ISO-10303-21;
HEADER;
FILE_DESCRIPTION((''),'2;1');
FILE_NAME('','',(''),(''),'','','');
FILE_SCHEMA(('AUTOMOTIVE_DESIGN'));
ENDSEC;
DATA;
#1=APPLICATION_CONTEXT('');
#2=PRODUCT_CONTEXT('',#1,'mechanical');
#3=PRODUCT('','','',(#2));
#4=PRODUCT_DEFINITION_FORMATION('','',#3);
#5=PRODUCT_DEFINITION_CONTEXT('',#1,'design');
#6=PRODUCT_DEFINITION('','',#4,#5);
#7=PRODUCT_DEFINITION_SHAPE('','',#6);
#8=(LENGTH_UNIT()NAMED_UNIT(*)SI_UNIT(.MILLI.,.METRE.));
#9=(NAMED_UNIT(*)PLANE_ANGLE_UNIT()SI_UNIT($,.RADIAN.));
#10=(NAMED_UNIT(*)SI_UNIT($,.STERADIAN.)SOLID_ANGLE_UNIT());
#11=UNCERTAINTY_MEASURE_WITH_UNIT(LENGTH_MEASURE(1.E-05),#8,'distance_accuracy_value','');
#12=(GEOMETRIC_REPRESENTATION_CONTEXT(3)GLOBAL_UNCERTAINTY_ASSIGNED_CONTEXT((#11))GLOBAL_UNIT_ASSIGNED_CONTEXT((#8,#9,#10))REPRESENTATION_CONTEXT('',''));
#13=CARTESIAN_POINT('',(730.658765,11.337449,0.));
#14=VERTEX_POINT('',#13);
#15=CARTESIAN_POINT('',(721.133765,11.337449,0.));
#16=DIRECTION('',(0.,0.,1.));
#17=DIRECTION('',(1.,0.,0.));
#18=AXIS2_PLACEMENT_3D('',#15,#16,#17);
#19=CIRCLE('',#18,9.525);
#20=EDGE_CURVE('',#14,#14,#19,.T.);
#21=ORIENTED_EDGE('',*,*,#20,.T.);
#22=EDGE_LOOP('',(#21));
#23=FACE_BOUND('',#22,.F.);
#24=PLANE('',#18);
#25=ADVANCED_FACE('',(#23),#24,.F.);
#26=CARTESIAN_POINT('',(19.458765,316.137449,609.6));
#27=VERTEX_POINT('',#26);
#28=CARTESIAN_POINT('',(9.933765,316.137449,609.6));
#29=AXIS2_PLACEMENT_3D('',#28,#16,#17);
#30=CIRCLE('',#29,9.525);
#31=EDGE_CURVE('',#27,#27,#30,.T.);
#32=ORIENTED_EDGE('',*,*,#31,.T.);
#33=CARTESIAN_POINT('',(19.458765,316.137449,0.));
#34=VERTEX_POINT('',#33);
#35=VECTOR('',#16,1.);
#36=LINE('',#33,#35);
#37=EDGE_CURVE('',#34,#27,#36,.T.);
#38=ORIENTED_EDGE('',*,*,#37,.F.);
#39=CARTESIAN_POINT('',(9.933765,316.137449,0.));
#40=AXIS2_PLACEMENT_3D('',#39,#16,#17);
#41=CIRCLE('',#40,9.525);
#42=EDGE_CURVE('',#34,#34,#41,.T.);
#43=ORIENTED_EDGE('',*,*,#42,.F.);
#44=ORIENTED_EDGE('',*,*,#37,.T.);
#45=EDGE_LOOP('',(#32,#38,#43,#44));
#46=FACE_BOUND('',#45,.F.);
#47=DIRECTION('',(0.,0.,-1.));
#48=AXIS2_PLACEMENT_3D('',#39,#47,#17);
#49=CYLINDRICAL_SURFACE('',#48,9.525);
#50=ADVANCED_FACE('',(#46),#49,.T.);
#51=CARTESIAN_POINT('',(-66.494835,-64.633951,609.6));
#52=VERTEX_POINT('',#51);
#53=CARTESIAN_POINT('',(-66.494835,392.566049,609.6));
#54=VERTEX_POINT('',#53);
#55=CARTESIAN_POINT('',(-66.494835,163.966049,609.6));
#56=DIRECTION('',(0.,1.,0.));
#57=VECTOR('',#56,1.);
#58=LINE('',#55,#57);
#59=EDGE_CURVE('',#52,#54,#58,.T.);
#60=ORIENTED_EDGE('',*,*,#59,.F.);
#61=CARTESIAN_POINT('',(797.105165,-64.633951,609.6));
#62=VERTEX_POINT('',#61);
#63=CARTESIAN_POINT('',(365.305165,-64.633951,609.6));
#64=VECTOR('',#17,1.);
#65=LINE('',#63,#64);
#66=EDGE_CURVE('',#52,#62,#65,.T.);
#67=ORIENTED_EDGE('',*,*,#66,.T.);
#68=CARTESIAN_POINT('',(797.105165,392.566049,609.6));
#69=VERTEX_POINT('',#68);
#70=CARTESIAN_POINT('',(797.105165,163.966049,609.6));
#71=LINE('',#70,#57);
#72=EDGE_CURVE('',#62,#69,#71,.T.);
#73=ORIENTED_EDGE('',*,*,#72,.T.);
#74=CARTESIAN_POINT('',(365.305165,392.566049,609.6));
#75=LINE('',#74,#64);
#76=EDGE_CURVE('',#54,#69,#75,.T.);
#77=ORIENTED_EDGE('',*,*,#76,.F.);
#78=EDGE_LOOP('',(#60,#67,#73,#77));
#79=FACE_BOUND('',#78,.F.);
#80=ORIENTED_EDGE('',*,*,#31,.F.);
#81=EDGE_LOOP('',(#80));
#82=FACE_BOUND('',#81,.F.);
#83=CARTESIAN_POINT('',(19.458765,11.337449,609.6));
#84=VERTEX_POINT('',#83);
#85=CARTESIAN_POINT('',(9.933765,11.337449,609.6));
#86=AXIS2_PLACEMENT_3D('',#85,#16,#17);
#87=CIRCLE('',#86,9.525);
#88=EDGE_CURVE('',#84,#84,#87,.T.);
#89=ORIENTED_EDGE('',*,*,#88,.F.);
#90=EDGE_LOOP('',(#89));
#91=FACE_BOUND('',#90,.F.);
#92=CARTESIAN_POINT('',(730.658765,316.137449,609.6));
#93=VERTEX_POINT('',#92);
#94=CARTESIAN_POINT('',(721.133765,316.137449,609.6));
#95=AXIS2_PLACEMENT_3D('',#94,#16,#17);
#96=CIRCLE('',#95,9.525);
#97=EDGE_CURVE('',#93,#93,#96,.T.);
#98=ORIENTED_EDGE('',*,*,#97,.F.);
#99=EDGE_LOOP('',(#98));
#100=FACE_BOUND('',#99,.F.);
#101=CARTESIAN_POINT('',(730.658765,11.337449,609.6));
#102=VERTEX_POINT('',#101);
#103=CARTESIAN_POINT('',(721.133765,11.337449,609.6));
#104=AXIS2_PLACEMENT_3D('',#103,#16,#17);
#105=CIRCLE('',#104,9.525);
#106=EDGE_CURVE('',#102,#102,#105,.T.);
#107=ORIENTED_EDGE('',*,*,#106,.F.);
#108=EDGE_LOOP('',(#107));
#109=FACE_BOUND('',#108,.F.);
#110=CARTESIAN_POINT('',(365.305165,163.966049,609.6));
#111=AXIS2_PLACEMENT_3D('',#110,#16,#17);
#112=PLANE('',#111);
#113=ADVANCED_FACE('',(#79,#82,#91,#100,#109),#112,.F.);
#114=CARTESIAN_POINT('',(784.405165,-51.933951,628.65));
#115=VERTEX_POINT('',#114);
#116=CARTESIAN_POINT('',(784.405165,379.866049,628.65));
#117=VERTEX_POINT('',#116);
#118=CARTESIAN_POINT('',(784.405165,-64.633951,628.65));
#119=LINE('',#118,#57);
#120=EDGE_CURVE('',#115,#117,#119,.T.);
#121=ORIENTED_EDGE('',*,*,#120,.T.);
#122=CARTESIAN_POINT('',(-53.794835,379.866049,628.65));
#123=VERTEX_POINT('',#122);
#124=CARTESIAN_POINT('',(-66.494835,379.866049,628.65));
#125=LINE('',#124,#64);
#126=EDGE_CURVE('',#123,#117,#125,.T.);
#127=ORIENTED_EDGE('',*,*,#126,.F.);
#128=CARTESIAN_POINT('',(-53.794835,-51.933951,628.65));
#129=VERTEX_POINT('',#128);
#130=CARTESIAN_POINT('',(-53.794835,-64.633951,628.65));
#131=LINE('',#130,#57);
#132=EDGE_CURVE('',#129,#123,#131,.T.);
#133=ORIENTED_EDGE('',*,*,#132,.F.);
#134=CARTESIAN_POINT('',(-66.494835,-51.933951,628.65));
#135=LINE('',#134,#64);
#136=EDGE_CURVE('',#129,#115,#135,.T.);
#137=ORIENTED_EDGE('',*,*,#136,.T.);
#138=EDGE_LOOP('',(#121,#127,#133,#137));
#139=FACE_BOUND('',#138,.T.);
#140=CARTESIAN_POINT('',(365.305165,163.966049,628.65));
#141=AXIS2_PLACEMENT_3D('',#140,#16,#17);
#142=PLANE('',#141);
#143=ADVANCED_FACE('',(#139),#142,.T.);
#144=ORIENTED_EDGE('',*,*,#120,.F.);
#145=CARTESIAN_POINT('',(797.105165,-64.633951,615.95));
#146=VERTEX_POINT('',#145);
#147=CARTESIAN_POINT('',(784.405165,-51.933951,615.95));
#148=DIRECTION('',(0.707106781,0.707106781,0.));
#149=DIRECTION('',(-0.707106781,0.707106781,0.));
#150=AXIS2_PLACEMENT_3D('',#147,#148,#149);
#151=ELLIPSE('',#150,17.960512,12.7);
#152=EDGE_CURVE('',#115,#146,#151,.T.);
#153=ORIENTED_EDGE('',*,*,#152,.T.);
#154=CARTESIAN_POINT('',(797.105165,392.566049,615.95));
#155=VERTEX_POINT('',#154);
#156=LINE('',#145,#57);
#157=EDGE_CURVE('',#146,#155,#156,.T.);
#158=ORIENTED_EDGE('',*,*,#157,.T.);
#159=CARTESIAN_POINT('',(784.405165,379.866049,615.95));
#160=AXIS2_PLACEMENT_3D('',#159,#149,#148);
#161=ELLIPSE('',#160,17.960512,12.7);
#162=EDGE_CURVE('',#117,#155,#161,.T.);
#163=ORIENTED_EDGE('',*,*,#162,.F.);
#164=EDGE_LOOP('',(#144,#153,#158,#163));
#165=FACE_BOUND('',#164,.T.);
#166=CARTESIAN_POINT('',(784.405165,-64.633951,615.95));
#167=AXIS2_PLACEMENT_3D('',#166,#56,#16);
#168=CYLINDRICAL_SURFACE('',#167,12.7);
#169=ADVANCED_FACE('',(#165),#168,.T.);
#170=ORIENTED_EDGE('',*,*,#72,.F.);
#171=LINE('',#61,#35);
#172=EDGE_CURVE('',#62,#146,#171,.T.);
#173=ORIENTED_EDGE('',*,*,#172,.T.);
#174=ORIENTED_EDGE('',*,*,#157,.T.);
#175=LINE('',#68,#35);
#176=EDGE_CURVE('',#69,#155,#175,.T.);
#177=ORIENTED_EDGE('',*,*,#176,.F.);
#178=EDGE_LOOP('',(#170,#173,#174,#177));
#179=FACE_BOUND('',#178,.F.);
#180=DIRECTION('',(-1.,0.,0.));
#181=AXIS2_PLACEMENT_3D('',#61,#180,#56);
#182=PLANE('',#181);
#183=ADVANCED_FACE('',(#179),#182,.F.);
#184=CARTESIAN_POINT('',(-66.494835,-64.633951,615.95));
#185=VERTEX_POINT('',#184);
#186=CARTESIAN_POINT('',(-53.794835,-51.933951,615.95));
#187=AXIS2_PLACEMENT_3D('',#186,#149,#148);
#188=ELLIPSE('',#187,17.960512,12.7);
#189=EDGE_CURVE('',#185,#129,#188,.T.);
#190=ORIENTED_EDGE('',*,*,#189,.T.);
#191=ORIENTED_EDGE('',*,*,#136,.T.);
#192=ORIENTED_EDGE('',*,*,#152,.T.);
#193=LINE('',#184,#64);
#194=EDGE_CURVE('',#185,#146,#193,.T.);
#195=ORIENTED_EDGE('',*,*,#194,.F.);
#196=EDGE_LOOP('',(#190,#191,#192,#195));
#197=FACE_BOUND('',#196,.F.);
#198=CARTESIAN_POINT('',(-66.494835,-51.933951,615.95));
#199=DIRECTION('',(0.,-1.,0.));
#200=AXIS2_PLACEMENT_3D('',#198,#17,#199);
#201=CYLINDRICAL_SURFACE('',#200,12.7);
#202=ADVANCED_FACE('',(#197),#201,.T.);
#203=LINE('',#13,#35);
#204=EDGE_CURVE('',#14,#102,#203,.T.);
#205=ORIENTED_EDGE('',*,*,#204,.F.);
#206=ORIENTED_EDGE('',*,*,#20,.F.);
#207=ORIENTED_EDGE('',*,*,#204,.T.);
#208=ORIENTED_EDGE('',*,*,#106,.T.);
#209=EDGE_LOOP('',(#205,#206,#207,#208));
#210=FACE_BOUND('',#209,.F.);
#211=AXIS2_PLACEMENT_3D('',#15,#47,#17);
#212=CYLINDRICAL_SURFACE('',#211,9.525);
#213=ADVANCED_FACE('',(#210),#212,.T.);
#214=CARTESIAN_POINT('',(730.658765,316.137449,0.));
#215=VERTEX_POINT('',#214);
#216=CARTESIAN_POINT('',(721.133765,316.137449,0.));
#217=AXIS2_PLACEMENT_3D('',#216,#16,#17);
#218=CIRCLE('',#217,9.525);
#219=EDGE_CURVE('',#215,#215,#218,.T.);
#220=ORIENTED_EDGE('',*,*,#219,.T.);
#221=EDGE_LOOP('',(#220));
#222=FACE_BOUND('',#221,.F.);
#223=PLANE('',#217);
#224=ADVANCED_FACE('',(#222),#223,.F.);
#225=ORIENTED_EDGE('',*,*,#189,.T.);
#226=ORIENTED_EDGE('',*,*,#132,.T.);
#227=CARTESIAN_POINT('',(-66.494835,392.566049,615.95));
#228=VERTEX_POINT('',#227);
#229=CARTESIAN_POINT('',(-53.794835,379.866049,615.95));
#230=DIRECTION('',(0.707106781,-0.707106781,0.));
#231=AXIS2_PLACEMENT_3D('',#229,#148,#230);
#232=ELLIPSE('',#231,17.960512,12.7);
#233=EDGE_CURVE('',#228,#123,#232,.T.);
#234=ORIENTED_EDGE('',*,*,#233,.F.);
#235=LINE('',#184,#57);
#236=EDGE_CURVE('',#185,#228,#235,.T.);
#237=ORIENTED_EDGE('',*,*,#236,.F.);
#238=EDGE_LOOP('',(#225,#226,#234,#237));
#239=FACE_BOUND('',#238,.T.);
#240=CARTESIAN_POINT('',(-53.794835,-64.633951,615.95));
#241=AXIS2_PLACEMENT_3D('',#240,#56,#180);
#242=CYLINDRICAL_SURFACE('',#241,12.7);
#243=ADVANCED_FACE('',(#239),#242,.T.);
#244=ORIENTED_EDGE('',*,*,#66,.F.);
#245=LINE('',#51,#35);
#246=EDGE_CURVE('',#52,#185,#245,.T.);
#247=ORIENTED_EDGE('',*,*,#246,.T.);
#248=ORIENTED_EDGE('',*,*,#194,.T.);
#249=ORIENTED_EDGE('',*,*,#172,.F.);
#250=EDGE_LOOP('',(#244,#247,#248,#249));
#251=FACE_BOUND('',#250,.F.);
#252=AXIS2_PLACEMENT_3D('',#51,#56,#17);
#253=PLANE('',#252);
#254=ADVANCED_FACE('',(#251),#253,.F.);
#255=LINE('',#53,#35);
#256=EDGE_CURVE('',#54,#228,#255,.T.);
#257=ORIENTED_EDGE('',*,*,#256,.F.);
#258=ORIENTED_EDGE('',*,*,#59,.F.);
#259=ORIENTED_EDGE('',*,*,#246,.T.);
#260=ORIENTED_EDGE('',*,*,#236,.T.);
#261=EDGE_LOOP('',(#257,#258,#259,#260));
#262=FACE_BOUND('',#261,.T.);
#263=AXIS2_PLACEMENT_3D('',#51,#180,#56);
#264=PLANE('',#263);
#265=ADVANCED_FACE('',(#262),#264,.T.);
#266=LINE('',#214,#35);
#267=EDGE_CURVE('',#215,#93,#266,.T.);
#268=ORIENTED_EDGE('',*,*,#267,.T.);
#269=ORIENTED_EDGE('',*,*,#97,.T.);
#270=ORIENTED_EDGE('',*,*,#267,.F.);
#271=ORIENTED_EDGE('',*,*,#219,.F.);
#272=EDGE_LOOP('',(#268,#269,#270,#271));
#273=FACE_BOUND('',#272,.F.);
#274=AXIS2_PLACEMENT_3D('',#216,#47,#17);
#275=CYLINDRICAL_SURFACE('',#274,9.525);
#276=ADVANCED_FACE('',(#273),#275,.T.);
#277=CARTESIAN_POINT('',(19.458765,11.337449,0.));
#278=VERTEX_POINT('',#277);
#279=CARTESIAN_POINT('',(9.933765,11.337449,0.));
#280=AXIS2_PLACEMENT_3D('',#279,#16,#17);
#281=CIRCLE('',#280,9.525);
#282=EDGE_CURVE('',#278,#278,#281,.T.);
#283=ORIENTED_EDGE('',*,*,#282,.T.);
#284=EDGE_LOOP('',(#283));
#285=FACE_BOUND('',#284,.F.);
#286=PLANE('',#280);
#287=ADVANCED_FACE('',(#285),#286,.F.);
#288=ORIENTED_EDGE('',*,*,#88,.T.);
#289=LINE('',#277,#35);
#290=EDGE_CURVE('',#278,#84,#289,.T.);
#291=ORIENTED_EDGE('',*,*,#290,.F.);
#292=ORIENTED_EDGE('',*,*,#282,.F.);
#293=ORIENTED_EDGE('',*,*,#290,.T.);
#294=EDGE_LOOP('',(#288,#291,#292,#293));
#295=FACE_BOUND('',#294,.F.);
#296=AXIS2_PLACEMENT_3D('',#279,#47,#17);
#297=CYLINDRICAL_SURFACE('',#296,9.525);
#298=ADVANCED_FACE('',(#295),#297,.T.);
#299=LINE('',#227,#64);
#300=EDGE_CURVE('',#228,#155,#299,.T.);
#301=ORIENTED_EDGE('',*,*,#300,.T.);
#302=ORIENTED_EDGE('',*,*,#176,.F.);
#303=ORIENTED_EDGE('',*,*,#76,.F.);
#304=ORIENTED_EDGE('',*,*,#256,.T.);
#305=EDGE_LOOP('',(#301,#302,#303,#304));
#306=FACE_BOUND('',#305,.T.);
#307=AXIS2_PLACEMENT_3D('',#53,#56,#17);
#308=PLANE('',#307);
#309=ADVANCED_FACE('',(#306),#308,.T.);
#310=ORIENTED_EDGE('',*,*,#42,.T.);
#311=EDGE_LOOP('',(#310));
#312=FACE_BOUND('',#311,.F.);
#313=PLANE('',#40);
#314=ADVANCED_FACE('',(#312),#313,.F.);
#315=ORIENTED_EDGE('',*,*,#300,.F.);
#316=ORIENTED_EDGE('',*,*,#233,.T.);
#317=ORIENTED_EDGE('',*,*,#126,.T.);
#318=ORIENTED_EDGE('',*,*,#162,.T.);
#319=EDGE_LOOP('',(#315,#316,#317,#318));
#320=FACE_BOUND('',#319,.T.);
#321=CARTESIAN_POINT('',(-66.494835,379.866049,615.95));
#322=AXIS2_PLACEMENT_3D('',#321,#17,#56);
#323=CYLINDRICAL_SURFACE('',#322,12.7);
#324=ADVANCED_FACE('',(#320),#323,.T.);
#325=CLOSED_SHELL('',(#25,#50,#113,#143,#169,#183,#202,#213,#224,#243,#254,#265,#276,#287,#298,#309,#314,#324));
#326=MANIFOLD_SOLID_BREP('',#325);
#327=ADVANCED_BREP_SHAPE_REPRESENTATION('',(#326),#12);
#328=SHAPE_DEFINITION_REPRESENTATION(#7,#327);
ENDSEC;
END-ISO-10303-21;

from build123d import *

# Parameters (mm, degrees)
F0_R     = 9.525
F1_DEPTH = 609.6
F2_W     = 863.6
F2_H     = 457.2
F2_R     = 9.525
F3_DEPTH = 19.05
F4_R     = 12.7


with BuildPart() as f1:
    # F0 (on Top) → F1 (new body)
    with BuildSketch(Plane.XY):
        with Locations((9.933765, 11.337449)):
            Circle(F0_R)
        with Locations((9.933765, 316.137449)):
            Circle(F0_R)
        with Locations((721.133765, 11.337449)):
            Circle(F0_R)
        with Locations((721.133765, 316.137449)):
            Circle(F0_R)
    extrude(amount=F1_DEPTH)

    # F2 (on face) → F3 (join)
    with BuildSketch(Plane.XY.offset(609.6)):
        with Locations((365.305165, 163.966049)):
            Rectangle(F2_W, F2_H)
        with Locations((9.933765, 11.337449)):
            Circle(F2_R, mode=Mode.SUBTRACT)
        with Locations((9.933765, 11.337449)):
            Circle(F2_R)
    extrude(amount=F3_DEPTH)

    # F4
    f4_edges = [f1.edges().sort_by_distance(p)[0] for p in [
        (797.105165, 163.966049, 628.65),
        (365.305165, 392.566049, 628.65),
        (-66.494835, 163.966049, 628.65),
        (365.305165, -64.633951, 628.65),
    ]]
    fillet(f4_edges, radius=F4_R)


solid = f1.part
